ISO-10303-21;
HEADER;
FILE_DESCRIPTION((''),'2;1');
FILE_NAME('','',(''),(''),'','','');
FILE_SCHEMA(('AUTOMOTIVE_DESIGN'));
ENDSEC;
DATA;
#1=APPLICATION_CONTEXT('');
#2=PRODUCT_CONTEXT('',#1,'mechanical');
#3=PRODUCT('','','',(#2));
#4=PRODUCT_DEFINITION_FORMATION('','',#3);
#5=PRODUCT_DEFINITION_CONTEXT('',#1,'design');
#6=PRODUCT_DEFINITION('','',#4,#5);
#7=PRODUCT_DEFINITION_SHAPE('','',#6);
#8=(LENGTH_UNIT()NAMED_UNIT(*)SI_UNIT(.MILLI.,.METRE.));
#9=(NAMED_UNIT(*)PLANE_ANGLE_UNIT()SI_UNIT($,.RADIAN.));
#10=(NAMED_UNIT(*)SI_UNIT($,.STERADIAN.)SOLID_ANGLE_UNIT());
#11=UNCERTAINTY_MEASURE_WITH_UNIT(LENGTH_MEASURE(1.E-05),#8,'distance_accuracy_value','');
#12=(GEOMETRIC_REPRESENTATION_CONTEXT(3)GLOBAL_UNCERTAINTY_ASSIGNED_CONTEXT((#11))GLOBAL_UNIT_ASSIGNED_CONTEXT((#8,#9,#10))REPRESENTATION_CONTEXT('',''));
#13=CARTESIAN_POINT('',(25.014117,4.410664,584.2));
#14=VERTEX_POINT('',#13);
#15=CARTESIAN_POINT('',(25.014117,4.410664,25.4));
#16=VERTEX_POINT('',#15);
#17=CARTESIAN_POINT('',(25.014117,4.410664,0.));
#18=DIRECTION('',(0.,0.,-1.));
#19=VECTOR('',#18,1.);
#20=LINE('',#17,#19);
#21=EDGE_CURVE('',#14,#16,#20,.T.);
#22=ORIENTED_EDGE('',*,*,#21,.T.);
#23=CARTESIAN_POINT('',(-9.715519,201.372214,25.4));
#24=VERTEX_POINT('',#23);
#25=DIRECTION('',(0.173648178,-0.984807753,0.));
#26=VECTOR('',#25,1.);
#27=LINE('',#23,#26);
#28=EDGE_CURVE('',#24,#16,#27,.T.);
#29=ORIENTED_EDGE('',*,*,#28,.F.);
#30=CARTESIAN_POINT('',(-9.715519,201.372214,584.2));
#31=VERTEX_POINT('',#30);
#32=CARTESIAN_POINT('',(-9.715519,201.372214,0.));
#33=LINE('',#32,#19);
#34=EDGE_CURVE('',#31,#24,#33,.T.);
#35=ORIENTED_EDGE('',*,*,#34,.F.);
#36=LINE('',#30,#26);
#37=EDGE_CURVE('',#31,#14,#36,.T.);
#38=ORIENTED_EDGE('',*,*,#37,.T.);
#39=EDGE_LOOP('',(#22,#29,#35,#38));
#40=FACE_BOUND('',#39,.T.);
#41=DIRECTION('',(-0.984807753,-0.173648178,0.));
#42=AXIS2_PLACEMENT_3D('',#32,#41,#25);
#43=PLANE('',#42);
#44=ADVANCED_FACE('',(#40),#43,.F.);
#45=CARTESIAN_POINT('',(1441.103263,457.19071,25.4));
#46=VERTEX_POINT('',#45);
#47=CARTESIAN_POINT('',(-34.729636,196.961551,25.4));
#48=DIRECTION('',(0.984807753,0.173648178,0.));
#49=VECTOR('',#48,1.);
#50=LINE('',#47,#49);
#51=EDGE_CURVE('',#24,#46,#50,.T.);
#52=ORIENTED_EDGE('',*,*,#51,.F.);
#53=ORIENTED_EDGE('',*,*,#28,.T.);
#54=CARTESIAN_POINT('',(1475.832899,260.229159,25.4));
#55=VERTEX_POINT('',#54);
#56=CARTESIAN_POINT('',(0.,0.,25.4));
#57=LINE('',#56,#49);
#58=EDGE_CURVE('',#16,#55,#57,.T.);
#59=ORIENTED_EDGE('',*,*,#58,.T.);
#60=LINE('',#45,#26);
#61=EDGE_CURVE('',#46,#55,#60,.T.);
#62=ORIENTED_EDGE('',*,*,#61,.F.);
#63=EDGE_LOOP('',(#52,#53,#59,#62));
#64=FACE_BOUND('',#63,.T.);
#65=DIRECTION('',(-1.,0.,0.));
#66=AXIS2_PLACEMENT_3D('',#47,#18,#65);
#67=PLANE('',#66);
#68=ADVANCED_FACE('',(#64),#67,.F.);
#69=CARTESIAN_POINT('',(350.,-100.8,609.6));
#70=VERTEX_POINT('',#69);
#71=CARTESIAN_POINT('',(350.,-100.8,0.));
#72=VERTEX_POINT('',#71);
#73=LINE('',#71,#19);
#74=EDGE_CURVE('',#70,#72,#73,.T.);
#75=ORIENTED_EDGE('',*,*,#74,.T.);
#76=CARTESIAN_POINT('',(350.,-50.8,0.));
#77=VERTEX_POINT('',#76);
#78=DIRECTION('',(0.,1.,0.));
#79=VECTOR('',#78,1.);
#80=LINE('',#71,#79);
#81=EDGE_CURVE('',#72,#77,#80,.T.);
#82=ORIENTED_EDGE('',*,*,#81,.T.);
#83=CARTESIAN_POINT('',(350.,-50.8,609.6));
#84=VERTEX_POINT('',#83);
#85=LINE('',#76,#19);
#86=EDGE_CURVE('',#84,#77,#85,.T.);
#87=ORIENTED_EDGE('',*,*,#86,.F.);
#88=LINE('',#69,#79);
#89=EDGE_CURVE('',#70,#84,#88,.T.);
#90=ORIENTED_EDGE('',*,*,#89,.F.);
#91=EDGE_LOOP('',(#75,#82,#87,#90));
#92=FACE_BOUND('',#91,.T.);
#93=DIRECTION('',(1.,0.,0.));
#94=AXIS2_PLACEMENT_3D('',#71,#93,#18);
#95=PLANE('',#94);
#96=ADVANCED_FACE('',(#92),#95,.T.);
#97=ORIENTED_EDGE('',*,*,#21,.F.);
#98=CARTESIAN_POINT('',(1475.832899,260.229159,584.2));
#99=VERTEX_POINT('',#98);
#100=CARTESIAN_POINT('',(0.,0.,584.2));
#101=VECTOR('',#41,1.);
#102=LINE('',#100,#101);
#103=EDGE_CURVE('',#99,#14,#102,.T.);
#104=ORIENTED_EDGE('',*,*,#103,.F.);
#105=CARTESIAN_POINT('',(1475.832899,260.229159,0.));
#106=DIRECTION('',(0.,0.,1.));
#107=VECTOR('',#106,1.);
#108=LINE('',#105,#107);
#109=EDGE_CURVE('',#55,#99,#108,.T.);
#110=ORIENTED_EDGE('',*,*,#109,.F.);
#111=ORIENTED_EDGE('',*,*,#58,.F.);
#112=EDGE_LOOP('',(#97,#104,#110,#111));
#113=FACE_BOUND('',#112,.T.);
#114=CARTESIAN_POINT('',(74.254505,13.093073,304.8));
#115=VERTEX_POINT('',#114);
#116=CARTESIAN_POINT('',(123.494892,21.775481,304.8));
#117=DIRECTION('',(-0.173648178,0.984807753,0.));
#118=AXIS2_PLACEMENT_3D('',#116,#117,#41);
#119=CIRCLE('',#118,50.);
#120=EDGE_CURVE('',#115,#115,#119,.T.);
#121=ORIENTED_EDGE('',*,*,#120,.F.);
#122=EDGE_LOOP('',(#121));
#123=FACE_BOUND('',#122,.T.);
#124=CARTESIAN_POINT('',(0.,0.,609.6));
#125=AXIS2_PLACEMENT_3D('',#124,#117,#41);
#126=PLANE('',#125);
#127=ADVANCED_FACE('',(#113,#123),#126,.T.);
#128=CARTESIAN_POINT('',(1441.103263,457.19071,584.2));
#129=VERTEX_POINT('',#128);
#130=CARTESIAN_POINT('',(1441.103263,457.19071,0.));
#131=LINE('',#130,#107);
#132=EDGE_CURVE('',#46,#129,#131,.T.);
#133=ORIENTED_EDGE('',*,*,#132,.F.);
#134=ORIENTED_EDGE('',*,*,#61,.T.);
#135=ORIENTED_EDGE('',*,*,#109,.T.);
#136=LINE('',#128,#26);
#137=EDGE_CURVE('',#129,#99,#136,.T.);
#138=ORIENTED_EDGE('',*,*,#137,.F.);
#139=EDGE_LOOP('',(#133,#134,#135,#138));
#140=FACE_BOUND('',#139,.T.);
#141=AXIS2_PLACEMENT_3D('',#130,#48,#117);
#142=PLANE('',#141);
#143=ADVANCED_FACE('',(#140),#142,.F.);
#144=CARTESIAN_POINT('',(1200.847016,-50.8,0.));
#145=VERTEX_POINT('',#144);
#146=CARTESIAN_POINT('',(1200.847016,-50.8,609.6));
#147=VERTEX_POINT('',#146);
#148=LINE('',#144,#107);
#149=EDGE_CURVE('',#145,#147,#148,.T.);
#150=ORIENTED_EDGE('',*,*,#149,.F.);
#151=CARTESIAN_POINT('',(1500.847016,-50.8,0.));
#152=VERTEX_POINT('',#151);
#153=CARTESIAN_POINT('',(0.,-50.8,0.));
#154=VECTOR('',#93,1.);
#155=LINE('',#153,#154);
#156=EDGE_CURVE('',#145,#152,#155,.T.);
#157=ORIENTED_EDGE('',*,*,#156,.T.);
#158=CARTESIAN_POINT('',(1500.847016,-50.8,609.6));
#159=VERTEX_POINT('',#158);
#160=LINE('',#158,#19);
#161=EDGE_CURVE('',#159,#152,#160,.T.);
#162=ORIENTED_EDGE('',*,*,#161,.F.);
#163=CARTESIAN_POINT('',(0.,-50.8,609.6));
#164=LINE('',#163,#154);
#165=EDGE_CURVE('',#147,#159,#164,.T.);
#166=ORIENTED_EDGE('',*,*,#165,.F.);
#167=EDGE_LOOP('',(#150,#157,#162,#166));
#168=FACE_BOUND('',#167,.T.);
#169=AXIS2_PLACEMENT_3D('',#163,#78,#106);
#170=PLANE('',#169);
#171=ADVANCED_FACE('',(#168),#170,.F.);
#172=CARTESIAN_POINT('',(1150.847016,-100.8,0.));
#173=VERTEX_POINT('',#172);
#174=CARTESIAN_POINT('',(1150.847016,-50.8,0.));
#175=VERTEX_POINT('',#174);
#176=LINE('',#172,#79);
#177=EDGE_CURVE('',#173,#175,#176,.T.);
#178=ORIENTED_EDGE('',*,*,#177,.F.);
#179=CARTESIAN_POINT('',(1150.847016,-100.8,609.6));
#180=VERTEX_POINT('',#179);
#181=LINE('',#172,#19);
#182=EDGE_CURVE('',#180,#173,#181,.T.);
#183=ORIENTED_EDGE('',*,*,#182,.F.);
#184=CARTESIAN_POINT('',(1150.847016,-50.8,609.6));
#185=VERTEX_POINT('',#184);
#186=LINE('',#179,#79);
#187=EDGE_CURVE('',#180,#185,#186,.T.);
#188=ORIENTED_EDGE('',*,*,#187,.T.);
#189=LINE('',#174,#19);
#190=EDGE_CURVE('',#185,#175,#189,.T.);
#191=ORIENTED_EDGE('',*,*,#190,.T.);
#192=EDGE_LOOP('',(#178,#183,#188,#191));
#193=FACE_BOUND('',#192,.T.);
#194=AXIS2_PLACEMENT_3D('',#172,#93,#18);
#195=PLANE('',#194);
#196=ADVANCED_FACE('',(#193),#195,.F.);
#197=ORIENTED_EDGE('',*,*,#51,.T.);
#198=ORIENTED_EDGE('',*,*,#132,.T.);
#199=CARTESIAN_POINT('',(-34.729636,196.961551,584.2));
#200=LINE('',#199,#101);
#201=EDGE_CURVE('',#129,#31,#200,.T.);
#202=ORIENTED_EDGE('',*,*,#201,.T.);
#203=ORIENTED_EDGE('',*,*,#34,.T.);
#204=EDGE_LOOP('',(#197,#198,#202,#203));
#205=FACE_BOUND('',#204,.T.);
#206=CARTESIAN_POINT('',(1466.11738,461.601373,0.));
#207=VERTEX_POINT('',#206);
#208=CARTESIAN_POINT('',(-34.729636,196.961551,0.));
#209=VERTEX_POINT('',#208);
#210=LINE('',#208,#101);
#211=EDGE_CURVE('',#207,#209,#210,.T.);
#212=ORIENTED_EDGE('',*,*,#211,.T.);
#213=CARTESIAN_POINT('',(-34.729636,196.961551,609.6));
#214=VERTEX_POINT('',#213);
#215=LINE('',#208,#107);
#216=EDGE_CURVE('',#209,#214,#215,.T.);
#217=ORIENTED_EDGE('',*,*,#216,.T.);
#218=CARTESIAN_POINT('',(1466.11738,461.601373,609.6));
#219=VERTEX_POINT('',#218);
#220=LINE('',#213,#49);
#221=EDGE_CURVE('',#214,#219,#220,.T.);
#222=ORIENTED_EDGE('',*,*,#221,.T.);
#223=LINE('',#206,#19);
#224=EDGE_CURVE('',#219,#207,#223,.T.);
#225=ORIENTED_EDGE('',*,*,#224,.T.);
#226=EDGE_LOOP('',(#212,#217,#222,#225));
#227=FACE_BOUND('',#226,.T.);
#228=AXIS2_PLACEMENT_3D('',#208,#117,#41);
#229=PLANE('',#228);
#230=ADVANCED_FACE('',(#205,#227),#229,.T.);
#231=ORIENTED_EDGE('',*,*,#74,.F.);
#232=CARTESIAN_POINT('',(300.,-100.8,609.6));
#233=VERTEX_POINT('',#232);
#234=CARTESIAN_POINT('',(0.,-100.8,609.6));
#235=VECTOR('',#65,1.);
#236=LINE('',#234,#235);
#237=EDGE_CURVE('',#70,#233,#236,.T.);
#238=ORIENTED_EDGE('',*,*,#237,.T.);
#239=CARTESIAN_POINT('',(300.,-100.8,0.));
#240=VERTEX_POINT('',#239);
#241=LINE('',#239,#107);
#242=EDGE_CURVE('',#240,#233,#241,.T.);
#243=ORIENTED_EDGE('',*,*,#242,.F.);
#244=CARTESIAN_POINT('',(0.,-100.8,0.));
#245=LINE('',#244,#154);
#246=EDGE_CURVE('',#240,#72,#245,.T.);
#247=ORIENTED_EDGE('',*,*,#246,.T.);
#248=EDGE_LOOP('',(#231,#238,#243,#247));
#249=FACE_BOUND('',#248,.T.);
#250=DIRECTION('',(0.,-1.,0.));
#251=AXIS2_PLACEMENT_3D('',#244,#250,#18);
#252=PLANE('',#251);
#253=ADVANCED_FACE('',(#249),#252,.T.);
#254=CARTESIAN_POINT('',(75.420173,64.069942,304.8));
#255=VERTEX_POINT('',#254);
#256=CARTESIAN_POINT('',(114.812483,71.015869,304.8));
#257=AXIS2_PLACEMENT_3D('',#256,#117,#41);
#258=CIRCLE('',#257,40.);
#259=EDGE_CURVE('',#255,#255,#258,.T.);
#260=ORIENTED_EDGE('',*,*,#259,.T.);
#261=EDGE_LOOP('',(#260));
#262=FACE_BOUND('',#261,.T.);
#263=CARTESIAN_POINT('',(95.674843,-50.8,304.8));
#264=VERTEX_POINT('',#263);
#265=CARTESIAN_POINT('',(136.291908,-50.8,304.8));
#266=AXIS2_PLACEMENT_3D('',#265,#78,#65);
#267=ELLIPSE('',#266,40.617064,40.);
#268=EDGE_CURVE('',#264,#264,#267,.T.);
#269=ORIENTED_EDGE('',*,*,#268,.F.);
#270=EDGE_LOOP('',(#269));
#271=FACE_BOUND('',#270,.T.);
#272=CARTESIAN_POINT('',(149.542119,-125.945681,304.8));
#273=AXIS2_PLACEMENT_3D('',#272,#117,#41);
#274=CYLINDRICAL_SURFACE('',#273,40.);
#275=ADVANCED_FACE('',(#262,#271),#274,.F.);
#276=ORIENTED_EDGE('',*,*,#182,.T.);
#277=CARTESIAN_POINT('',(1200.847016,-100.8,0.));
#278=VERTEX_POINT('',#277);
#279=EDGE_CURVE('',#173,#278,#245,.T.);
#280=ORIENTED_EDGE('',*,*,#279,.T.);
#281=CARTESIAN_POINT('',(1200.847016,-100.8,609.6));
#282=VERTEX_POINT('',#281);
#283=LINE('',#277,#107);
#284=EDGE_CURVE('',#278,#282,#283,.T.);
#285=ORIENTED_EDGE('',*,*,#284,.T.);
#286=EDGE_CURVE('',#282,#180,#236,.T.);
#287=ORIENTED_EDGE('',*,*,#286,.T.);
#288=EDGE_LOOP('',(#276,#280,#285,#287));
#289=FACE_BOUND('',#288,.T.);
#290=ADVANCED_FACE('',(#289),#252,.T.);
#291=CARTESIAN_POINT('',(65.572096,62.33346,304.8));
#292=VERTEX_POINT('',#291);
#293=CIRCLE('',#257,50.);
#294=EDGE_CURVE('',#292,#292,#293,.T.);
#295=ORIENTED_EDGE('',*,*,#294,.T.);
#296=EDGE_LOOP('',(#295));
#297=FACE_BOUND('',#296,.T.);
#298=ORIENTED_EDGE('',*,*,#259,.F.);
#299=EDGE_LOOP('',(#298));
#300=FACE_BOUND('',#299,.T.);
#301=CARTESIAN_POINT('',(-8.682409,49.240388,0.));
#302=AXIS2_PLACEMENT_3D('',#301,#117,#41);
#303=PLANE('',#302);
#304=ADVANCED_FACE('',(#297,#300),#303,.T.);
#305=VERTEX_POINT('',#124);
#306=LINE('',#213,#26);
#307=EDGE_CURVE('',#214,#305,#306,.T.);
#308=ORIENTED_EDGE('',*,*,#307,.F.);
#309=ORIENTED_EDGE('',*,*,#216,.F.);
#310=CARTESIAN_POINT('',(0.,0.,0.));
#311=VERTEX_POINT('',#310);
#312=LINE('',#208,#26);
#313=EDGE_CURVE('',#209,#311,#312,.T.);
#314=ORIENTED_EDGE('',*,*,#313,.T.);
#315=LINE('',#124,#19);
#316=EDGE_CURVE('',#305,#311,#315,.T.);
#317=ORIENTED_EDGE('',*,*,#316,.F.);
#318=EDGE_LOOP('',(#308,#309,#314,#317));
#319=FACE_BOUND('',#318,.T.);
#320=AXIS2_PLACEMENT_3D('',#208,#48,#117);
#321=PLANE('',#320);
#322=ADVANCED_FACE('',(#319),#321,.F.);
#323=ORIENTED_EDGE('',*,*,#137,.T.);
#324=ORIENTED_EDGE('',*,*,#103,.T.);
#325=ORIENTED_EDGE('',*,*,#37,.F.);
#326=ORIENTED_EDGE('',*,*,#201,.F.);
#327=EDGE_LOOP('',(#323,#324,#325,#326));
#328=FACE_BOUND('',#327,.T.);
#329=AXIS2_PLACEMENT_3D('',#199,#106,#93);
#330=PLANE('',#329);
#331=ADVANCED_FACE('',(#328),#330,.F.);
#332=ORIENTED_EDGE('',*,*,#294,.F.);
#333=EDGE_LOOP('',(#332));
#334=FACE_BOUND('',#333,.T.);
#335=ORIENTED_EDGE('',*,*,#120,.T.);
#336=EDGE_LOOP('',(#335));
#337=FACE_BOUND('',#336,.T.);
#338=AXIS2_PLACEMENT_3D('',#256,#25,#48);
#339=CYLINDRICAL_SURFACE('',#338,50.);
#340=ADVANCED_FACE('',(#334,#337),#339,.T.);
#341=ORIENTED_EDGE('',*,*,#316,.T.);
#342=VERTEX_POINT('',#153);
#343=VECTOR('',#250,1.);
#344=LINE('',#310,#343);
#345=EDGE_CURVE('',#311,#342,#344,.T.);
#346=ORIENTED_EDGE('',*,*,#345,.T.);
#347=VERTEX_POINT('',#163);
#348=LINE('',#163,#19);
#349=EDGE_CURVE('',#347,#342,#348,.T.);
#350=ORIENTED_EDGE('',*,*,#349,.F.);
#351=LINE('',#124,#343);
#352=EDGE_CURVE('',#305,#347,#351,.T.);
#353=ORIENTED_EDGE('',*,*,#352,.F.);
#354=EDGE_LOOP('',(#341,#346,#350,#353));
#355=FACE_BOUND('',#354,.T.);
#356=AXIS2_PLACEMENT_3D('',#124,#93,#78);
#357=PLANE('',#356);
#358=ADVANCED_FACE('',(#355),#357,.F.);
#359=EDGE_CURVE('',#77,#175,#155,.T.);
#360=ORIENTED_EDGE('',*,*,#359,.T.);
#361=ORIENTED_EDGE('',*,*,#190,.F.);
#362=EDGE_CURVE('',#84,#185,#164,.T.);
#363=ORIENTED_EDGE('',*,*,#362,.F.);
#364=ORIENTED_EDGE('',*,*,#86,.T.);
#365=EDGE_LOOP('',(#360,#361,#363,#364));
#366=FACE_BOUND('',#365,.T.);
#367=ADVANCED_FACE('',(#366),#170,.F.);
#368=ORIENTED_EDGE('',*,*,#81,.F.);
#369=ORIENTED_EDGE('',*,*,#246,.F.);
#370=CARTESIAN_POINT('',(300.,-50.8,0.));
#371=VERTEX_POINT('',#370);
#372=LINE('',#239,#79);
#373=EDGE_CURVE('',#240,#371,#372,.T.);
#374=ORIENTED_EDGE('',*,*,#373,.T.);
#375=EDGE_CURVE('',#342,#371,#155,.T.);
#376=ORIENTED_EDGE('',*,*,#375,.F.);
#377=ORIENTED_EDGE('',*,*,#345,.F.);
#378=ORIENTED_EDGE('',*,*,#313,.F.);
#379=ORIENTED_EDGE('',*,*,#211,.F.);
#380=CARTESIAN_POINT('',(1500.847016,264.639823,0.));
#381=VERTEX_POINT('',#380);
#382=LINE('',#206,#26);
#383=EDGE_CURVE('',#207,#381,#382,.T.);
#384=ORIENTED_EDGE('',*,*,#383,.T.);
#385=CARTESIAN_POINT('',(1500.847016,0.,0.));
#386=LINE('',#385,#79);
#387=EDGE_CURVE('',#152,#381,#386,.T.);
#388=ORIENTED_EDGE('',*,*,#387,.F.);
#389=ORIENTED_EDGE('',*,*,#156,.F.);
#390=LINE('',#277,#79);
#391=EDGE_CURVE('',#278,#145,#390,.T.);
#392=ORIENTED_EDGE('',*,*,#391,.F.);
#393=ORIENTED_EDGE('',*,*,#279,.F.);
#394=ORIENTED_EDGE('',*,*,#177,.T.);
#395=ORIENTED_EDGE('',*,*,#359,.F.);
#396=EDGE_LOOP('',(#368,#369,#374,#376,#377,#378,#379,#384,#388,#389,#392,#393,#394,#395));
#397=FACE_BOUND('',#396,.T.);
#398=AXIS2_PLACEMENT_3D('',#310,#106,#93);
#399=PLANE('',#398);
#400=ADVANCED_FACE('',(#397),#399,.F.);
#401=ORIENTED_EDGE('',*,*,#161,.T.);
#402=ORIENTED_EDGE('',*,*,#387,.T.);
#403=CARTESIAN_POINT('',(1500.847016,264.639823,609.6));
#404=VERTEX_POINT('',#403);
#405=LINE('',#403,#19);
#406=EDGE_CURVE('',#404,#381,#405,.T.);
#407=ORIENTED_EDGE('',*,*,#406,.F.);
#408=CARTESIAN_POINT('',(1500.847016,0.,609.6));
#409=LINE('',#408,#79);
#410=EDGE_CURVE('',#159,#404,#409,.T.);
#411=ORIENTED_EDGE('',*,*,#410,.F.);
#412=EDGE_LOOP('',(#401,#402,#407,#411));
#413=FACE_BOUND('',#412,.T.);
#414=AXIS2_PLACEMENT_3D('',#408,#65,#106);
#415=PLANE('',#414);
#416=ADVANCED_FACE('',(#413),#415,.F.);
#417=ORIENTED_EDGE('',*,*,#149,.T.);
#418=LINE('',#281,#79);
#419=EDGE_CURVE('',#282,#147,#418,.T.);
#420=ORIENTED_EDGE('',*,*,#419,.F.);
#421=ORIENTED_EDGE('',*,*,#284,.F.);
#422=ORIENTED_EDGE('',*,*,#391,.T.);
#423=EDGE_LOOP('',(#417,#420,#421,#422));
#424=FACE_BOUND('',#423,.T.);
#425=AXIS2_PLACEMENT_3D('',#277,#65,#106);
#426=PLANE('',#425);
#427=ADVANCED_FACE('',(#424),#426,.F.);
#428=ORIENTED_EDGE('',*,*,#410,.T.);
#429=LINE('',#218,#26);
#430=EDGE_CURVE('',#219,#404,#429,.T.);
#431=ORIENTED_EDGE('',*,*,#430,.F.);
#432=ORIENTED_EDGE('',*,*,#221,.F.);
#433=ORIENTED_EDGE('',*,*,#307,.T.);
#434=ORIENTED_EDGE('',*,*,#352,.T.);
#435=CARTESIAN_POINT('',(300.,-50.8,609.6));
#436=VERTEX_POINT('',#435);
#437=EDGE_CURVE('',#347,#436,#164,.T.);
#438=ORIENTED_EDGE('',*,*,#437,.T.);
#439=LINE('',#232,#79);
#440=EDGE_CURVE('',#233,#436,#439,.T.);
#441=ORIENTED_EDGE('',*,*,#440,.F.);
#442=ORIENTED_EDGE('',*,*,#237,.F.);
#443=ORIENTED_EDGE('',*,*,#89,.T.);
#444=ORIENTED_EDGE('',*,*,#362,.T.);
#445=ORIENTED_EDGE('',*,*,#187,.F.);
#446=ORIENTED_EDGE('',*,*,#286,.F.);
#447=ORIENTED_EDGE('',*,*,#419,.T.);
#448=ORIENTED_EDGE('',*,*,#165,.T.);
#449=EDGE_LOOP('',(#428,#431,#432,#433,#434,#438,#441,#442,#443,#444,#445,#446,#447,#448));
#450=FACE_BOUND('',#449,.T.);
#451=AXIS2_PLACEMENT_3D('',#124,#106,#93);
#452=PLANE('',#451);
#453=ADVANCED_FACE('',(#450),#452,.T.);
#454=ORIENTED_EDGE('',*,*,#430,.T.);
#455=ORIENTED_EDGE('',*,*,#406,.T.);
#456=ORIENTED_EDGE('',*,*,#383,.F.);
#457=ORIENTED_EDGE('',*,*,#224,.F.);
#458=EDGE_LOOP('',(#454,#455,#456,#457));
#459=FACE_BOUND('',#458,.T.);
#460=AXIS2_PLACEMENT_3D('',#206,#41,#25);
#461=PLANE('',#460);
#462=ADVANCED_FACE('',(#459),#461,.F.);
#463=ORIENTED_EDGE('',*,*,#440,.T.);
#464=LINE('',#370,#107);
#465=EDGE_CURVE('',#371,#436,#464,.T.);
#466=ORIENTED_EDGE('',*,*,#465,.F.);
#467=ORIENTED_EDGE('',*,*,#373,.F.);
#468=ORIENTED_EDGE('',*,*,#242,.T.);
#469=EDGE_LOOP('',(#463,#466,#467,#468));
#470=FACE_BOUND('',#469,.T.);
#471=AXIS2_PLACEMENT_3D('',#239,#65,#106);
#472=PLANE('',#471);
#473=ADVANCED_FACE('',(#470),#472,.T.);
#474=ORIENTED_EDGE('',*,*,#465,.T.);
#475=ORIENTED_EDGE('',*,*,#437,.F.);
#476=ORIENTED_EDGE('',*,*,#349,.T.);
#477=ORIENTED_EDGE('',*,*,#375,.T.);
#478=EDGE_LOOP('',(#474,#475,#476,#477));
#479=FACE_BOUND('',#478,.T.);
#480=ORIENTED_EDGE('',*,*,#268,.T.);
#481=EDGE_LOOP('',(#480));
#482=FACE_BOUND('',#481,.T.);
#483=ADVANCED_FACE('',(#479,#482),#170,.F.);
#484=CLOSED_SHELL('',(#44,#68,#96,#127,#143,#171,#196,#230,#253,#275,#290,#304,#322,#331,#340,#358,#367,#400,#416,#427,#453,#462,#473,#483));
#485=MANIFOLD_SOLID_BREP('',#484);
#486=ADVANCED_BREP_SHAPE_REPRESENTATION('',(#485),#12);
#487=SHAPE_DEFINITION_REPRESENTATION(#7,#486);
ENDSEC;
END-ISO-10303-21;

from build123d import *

# Parameters (mm, degrees)
SKETCH1_W           = 1500.847015591
SKETCH1_H           = 50.8
BOSS_EXTRUDE2_DEPTH = 609.6
SKETCH3_W           = 1473.2
SKETCH3_H           = 558.8
BOSS_EXTRUDE4_DEPTH = 200
SKETCH4_R           = 50
BOSS_EXTRUDE5_DEPTH = 50
SKETCH5_R           = 40
CUT_EXTRUDE3_DEPTH  = 200
BOSS_EXTRUDE6_DEPTH = 50


with BuildPart() as part:
    # Sketch1 → Boss-Extrude2 (new body)
    with BuildSketch(Plane.XY):
        Polygon((0, 0), (1500.847015591, 0), (1500.847015591, 264.639822764), align=None)
        with Locations((750.423507796, -25.4)):
            Rectangle(SKETCH1_W, SKETCH1_H)
    extrude(amount=BOSS_EXTRUDE2_DEPTH)

    # Sketch3 → Boss-Extrude4 (add)
    with BuildSketch(Plane(origin=(0, 0, 0), x_dir=(0.9848077530122079, 0.17364817766693136, 0), z_dir=(-0.17364817766693136, 0.9848077530122079, 0))):
        Polygon((1524, 0), (0, 0), (0, -25.4), (0, -609.6), (1524, -609.6), align=None)
        with Locations((762, -304.8)):
            Rectangle(SKETCH3_W, SKETCH3_H, mode=Mode.SUBTRACT)
    extrude(amount=BOSS_EXTRUDE4_DEPTH)

    # Sketch4 → Boss-Extrude5 (add)
    with BuildSketch(Plane(origin=(0, 0, 0), x_dir=(0.9848077530122079, 0.17364817766693136, 0), z_dir=(-0.17364817766693136, 0.9848077530122079, 0))):
        with Locations(Location((125.4, -304.8, 0), (0, 0, 180))):
            Circle(SKETCH4_R)
    extrude(amount=BOSS_EXTRUDE5_DEPTH)

    # Sketch5 → Cut-Extrude3 (cut)
    with BuildSketch(Plane(origin=(-8.682408883, 49.240387651, 0), x_dir=(0.9848077530122079, 0.17364817766693136, 0), z_dir=(-0.17364817766693136, 0.9848077530122079, 0))):
        with Locations(Location((125.4, -304.8, 0), (0, 0, 180))):
            Circle(SKETCH5_R)
    extrude(amount=-CUT_EXTRUDE3_DEPTH, mode=Mode.SUBTRACT)

    # Sketch6 → Boss-Extrude6 (add)
    with BuildSketch(Plane(origin=(0, -50.8, 0), x_dir=(-1, 0, 0), z_dir=(0, -1, 0))):
        Polygon((-350, 0), (-350, -609.6), (-300, -609.6), (-300, -304.8), (-300, 0), align=None)
        Polygon((-1200.847015591, 0), (-1200.847015591, -304.8), (-1200.847015591, -609.6), (-1150.847015591, -609.6), (-1150.847015591, 0), align=None)
    extrude(amount=BOSS_EXTRUDE6_DEPTH)


solid = part.part
